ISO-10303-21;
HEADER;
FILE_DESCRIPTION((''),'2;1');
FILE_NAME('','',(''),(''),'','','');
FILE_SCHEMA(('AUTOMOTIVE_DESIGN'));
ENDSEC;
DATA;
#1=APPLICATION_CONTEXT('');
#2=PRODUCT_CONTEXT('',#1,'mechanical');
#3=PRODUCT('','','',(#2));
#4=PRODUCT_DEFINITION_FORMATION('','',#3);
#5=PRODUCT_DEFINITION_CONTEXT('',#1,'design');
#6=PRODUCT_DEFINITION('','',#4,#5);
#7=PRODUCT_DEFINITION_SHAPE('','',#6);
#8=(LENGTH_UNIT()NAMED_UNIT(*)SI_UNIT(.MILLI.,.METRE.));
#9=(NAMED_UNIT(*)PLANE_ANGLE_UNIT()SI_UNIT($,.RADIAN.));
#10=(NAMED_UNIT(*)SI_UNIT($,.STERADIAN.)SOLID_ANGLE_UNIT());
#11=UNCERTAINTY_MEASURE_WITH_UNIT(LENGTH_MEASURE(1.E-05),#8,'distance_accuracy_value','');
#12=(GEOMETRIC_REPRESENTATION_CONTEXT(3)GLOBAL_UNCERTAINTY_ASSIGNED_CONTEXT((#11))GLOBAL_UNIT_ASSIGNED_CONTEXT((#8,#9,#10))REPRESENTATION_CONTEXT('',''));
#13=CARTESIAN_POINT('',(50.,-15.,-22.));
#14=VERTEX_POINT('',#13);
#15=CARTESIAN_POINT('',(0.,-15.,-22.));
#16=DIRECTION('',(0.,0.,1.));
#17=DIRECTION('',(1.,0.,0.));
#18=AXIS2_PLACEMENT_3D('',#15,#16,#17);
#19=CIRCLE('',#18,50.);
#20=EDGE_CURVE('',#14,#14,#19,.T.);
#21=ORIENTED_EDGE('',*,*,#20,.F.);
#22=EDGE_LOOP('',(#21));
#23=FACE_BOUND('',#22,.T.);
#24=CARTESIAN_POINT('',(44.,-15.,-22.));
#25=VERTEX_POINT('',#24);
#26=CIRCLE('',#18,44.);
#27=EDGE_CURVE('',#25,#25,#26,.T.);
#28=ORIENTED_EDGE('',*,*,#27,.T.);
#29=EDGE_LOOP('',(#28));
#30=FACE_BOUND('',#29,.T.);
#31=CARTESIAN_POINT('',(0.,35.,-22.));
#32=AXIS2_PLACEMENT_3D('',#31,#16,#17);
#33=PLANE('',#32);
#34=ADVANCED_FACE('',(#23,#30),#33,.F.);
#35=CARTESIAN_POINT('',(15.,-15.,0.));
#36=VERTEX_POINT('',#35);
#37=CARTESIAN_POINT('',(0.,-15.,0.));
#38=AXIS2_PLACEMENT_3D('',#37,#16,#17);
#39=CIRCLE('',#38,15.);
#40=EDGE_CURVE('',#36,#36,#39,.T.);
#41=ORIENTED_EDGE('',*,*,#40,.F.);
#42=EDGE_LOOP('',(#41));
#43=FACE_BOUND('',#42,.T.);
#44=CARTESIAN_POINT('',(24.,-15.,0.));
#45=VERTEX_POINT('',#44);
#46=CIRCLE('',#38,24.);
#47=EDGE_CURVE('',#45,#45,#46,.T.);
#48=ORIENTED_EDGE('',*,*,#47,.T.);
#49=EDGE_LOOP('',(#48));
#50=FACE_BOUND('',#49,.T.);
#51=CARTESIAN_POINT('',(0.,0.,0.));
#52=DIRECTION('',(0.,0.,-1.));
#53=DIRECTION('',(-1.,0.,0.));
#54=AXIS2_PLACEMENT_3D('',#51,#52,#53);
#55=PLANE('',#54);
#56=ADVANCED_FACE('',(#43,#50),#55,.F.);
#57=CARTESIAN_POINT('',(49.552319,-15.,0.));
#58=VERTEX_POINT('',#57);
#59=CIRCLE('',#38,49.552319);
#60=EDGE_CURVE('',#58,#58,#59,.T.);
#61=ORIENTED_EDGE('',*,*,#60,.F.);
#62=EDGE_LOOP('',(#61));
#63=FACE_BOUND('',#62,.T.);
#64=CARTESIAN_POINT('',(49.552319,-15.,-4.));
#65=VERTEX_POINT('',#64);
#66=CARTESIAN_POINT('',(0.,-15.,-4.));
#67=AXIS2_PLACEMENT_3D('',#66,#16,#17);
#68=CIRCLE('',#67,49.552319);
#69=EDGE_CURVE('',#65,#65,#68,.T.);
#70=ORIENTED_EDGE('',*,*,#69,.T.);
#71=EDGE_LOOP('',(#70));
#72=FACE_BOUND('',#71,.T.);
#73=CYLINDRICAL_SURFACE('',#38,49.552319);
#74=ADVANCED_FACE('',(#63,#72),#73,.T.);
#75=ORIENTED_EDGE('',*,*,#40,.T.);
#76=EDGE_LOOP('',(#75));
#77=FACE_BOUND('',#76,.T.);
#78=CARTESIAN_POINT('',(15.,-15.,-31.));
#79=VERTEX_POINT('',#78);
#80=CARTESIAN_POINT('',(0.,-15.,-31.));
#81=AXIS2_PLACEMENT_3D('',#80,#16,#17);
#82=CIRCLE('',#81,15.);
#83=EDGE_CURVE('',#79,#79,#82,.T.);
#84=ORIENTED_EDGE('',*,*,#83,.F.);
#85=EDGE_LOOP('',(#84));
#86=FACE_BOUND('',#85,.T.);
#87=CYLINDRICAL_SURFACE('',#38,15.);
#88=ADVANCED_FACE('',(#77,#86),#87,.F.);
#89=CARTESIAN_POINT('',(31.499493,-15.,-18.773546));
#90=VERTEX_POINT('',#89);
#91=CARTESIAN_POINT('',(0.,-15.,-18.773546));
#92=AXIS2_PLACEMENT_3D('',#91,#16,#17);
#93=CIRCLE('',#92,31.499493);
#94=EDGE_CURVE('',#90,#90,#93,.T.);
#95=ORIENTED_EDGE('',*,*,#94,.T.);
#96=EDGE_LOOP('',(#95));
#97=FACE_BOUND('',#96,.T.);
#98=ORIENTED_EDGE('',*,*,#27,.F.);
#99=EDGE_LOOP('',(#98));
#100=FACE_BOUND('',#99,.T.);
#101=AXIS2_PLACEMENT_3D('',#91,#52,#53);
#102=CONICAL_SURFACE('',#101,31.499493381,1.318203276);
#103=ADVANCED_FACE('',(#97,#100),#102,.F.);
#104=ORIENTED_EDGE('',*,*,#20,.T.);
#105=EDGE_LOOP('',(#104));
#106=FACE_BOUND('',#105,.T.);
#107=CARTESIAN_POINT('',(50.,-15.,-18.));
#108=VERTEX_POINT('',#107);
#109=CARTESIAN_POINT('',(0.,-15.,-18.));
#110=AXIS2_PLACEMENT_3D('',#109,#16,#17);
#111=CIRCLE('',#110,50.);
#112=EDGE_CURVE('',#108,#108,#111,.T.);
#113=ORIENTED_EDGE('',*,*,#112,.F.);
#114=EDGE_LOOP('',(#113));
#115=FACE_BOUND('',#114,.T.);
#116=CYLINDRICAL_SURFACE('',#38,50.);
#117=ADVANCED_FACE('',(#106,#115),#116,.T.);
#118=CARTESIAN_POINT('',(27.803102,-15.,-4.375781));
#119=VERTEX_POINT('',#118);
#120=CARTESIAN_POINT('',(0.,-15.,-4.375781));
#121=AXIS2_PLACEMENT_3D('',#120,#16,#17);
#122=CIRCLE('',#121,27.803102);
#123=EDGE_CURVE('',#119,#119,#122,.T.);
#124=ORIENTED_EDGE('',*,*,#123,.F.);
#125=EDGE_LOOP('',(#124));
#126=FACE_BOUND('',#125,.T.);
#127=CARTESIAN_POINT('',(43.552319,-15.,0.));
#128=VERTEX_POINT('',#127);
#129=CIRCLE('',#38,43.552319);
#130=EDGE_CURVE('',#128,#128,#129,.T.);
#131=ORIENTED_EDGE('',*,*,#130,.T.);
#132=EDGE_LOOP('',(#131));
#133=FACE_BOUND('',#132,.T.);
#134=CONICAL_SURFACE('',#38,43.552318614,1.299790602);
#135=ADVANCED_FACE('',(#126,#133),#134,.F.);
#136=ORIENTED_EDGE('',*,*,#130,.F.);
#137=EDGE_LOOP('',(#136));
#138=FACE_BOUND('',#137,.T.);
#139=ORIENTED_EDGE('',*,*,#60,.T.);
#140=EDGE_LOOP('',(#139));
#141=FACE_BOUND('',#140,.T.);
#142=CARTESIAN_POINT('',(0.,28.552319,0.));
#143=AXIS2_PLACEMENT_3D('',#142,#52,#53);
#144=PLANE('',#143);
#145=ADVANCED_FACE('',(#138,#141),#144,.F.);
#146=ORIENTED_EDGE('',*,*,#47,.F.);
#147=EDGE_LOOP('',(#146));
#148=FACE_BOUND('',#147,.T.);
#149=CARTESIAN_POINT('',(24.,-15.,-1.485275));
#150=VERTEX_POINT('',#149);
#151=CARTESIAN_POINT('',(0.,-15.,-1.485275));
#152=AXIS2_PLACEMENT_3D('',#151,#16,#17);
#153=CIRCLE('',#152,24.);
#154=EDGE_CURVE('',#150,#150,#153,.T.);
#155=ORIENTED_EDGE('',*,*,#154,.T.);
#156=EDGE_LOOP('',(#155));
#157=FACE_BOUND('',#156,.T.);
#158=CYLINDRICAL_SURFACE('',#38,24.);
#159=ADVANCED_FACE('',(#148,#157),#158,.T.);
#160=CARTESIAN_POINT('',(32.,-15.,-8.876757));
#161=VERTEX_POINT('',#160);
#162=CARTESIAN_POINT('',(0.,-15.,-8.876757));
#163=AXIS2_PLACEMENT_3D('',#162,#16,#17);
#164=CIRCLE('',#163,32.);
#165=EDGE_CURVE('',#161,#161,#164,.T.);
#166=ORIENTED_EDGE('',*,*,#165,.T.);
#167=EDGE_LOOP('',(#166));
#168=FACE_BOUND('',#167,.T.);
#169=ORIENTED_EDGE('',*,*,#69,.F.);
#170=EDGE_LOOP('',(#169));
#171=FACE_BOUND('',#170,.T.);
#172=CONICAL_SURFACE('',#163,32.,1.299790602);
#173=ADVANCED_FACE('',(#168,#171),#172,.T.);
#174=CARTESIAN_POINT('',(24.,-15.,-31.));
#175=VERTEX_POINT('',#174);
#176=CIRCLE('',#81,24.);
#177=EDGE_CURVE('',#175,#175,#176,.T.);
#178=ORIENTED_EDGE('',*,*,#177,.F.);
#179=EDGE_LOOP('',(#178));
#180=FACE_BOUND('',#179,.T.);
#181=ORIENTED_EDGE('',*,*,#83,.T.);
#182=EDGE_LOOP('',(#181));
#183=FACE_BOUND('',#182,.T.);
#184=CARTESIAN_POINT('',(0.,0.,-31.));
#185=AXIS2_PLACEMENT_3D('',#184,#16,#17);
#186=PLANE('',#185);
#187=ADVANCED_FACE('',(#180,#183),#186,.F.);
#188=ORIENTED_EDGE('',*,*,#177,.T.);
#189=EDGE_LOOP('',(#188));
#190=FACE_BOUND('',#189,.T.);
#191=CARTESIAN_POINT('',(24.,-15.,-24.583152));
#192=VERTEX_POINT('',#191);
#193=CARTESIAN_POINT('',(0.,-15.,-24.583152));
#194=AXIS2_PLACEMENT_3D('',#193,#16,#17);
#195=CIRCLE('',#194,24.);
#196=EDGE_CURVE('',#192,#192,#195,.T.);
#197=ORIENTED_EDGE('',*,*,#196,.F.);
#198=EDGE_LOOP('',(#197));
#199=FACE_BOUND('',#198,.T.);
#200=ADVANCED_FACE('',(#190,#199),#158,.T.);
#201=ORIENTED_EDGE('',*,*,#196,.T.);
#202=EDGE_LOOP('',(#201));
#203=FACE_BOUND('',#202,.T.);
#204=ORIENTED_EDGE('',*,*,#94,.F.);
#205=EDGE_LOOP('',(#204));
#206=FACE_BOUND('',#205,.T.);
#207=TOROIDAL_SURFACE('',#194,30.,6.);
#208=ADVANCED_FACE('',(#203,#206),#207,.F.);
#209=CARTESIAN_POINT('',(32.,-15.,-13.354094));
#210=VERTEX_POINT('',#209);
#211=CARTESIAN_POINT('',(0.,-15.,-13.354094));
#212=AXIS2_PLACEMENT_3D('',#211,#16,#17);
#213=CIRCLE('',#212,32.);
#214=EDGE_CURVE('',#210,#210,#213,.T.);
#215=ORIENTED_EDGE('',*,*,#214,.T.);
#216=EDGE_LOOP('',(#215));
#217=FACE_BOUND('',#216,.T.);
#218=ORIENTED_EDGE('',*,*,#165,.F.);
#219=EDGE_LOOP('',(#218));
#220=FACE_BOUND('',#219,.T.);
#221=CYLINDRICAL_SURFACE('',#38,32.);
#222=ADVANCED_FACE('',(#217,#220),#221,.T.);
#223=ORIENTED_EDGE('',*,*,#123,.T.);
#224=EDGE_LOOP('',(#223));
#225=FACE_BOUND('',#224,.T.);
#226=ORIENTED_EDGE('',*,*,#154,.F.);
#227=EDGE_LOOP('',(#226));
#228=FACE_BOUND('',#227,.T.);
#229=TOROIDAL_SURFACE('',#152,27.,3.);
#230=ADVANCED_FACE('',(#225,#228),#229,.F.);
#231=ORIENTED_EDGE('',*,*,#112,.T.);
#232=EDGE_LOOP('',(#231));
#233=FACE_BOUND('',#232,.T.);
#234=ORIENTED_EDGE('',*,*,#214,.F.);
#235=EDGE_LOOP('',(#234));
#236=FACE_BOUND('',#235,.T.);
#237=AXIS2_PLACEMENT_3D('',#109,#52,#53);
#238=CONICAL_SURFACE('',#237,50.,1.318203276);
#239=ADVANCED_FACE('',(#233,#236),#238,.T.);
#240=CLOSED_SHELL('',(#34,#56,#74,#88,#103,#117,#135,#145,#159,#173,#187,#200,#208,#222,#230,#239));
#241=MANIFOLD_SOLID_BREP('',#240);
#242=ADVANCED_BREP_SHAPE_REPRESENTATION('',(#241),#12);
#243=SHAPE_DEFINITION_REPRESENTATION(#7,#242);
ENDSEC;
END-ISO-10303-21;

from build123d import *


with BuildPart() as part:
    # Sketch2 → Revolve2 (revolve)
    with BuildSketch(Plane(origin=(0, 0, 0), x_dir=(0, 0, -1), z_dir=(1, 0, 0)), mode=Mode.PRIVATE) as revolve2_sk:
        with BuildLine():
            Line((0, 0), (31, 0))
            Line((31, 0), (31, 9))
            Line((31, 9), (24.583151623, 9))
            ThreePointArc((24.583151623, 9), (19.839895343, 11.325558565), (18.773545819, 16.499493381))
            Line((18.773545819, 16.499493381), (22, 29))
            Line((22, 29), (22, 35))
            Line((22, 35), (18, 35))
            Line((18, 35), (13.354094276, 17))
            Line((13.354094276, 17), (8.876757203, 17))
            Line((8.876757203, 17), (4, 34.552318614))
            Line((4, 34.552318614), (0, 34.552318614))
            Line((0, 34.552318614), (0, 28.552318614))
            Line((0, 28.552318614), (4.37578125, 12.803101771))
            ThreePointArc((4.37578125, 12.803101771), (3.873716269, 10.184690841), (1.485274798, 9))
            Line((1.485274798, 9), (0, 9))
            Line((0, 9), (0, 0))
        make_face()
    revolve(revolve2_sk.sketch.rotate(Axis((0, -15, 0), (0, 0, -1)), 90), axis=Axis((0, -15, 0), (0, 0, -1)))


solid = part.part
